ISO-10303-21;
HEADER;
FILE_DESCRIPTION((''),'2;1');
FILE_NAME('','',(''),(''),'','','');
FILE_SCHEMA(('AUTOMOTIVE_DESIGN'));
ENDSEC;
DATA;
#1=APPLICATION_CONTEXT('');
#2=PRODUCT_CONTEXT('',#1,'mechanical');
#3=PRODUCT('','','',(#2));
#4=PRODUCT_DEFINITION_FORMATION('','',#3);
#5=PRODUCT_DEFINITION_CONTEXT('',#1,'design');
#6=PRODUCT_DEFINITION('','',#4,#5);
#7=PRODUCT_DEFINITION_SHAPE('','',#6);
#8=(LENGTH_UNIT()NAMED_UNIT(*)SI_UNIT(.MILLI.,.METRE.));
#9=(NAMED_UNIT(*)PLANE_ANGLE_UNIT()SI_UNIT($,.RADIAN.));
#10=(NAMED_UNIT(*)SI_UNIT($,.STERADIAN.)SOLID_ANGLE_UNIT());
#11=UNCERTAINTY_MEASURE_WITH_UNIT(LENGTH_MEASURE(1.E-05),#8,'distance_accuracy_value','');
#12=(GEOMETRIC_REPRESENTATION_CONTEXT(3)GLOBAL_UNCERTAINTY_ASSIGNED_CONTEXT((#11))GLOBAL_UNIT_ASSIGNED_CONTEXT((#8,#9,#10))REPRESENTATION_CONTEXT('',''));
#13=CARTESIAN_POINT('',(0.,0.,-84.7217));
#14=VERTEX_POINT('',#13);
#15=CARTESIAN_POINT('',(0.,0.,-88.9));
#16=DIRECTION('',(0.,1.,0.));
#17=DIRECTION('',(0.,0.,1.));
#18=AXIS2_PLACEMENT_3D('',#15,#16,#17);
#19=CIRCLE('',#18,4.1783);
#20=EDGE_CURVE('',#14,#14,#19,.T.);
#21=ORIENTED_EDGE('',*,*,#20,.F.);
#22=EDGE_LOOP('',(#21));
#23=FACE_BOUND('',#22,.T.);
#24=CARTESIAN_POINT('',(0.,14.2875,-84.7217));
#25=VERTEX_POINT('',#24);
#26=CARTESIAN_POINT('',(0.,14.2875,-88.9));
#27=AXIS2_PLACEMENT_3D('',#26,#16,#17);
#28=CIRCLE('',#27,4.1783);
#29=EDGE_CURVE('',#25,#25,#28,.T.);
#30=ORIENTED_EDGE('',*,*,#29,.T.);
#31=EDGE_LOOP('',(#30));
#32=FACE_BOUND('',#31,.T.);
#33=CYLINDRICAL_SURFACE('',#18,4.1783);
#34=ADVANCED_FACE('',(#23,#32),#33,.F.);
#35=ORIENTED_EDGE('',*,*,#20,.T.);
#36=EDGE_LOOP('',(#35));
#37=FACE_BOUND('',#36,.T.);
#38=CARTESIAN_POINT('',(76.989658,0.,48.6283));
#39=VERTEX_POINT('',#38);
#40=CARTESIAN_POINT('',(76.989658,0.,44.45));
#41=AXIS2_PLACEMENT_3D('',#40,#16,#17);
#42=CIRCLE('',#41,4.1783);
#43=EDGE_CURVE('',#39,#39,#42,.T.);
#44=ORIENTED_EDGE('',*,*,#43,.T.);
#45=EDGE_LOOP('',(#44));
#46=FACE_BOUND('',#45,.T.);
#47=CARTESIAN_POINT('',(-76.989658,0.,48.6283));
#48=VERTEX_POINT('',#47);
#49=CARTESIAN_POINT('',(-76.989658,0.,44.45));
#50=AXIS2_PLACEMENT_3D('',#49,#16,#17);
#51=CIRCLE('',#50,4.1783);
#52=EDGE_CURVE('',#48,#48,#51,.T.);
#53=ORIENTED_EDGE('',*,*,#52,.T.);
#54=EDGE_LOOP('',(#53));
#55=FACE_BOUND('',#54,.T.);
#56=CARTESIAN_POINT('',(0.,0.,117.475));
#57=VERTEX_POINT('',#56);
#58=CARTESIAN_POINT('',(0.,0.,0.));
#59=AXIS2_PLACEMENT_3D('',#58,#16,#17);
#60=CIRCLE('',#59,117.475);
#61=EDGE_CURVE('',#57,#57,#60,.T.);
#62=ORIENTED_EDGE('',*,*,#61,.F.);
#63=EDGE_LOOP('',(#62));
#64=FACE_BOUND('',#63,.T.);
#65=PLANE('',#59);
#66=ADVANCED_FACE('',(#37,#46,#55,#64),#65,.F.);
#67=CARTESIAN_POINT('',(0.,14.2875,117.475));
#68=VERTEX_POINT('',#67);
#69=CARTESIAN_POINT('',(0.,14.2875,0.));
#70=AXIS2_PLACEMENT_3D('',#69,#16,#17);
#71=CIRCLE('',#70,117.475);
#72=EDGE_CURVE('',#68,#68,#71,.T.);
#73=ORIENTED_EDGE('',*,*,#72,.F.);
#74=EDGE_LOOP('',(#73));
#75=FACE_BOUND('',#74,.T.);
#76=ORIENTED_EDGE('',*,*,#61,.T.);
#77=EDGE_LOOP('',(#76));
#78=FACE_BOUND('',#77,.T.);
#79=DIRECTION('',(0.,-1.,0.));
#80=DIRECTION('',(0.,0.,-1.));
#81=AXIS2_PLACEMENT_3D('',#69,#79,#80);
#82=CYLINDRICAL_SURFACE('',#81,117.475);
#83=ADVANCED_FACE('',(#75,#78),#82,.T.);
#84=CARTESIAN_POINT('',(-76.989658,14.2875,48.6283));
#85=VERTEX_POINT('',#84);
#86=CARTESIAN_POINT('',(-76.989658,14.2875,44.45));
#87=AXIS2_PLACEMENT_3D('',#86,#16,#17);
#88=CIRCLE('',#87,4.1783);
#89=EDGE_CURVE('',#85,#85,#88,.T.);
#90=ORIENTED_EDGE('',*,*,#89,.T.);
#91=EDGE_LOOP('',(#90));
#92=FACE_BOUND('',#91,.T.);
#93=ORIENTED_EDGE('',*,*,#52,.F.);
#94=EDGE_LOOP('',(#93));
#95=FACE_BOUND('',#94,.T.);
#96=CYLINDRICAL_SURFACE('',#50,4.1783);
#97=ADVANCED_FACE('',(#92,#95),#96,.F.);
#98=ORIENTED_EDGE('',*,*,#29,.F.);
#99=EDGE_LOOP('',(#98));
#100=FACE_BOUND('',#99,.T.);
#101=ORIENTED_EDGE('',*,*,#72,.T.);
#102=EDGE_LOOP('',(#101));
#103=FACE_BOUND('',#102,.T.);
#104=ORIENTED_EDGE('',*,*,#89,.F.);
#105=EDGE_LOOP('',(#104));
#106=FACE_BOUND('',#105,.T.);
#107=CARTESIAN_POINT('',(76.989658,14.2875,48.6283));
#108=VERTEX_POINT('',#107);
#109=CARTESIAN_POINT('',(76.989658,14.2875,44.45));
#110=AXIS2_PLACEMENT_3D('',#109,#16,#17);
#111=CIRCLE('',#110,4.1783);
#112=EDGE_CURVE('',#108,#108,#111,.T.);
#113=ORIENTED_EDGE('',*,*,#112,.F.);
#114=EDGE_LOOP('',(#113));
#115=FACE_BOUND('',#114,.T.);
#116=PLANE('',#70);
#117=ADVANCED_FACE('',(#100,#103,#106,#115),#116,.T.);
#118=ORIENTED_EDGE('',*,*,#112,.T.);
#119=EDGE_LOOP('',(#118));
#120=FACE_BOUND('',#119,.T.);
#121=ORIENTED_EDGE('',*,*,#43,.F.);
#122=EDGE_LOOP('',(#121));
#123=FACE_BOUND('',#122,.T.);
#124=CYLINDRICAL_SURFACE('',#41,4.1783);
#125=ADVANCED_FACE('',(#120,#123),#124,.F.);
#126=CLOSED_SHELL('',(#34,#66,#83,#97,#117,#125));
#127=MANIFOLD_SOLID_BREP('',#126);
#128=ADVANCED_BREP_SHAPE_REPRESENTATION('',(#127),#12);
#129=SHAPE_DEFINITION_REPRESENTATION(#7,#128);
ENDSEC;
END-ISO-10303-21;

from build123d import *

# Parameters (mm, degrees)
SKETCH1_R           = 117.475
BOSS_EXTRUDE1_DEPTH = 14.2875
SKETCH2_R           = 4.1783
CUT_EXTRUDE1_DEPTH  = 167.747965224


with BuildPart() as part:
    # Sketch1 → Boss-Extrude1 (new body)
    with BuildSketch(Plane(origin=(0, 0, 0), x_dir=(1, 0, 0), z_dir=(0, 1, 0))):
        with Locations(Location((0, 0, 0), (0, 0, 270))):
            Circle(SKETCH1_R)
    extrude(amount=BOSS_EXTRUDE1_DEPTH)

    # Sketch2 → Cut-Extrude1 (cut, through all)
    with BuildSketch(Plane(origin=(0, 14.2875, 0), x_dir=(1, 0, 0), z_dir=(0, 1, 0))):
        with Locations(Location((0, 88.9, 0), (0, 0, 270))):
            Circle(SKETCH2_R)
        with Locations(Location((76.989658396, -44.45, 0), (0, 0, 270))):
            Circle(SKETCH2_R)
        with Locations(Location((-76.989658396, -44.45, 0), (0, 0, 270))):
            Circle(SKETCH2_R)
    extrude(amount=-CUT_EXTRUDE1_DEPTH, mode=Mode.SUBTRACT)


solid = part.part
